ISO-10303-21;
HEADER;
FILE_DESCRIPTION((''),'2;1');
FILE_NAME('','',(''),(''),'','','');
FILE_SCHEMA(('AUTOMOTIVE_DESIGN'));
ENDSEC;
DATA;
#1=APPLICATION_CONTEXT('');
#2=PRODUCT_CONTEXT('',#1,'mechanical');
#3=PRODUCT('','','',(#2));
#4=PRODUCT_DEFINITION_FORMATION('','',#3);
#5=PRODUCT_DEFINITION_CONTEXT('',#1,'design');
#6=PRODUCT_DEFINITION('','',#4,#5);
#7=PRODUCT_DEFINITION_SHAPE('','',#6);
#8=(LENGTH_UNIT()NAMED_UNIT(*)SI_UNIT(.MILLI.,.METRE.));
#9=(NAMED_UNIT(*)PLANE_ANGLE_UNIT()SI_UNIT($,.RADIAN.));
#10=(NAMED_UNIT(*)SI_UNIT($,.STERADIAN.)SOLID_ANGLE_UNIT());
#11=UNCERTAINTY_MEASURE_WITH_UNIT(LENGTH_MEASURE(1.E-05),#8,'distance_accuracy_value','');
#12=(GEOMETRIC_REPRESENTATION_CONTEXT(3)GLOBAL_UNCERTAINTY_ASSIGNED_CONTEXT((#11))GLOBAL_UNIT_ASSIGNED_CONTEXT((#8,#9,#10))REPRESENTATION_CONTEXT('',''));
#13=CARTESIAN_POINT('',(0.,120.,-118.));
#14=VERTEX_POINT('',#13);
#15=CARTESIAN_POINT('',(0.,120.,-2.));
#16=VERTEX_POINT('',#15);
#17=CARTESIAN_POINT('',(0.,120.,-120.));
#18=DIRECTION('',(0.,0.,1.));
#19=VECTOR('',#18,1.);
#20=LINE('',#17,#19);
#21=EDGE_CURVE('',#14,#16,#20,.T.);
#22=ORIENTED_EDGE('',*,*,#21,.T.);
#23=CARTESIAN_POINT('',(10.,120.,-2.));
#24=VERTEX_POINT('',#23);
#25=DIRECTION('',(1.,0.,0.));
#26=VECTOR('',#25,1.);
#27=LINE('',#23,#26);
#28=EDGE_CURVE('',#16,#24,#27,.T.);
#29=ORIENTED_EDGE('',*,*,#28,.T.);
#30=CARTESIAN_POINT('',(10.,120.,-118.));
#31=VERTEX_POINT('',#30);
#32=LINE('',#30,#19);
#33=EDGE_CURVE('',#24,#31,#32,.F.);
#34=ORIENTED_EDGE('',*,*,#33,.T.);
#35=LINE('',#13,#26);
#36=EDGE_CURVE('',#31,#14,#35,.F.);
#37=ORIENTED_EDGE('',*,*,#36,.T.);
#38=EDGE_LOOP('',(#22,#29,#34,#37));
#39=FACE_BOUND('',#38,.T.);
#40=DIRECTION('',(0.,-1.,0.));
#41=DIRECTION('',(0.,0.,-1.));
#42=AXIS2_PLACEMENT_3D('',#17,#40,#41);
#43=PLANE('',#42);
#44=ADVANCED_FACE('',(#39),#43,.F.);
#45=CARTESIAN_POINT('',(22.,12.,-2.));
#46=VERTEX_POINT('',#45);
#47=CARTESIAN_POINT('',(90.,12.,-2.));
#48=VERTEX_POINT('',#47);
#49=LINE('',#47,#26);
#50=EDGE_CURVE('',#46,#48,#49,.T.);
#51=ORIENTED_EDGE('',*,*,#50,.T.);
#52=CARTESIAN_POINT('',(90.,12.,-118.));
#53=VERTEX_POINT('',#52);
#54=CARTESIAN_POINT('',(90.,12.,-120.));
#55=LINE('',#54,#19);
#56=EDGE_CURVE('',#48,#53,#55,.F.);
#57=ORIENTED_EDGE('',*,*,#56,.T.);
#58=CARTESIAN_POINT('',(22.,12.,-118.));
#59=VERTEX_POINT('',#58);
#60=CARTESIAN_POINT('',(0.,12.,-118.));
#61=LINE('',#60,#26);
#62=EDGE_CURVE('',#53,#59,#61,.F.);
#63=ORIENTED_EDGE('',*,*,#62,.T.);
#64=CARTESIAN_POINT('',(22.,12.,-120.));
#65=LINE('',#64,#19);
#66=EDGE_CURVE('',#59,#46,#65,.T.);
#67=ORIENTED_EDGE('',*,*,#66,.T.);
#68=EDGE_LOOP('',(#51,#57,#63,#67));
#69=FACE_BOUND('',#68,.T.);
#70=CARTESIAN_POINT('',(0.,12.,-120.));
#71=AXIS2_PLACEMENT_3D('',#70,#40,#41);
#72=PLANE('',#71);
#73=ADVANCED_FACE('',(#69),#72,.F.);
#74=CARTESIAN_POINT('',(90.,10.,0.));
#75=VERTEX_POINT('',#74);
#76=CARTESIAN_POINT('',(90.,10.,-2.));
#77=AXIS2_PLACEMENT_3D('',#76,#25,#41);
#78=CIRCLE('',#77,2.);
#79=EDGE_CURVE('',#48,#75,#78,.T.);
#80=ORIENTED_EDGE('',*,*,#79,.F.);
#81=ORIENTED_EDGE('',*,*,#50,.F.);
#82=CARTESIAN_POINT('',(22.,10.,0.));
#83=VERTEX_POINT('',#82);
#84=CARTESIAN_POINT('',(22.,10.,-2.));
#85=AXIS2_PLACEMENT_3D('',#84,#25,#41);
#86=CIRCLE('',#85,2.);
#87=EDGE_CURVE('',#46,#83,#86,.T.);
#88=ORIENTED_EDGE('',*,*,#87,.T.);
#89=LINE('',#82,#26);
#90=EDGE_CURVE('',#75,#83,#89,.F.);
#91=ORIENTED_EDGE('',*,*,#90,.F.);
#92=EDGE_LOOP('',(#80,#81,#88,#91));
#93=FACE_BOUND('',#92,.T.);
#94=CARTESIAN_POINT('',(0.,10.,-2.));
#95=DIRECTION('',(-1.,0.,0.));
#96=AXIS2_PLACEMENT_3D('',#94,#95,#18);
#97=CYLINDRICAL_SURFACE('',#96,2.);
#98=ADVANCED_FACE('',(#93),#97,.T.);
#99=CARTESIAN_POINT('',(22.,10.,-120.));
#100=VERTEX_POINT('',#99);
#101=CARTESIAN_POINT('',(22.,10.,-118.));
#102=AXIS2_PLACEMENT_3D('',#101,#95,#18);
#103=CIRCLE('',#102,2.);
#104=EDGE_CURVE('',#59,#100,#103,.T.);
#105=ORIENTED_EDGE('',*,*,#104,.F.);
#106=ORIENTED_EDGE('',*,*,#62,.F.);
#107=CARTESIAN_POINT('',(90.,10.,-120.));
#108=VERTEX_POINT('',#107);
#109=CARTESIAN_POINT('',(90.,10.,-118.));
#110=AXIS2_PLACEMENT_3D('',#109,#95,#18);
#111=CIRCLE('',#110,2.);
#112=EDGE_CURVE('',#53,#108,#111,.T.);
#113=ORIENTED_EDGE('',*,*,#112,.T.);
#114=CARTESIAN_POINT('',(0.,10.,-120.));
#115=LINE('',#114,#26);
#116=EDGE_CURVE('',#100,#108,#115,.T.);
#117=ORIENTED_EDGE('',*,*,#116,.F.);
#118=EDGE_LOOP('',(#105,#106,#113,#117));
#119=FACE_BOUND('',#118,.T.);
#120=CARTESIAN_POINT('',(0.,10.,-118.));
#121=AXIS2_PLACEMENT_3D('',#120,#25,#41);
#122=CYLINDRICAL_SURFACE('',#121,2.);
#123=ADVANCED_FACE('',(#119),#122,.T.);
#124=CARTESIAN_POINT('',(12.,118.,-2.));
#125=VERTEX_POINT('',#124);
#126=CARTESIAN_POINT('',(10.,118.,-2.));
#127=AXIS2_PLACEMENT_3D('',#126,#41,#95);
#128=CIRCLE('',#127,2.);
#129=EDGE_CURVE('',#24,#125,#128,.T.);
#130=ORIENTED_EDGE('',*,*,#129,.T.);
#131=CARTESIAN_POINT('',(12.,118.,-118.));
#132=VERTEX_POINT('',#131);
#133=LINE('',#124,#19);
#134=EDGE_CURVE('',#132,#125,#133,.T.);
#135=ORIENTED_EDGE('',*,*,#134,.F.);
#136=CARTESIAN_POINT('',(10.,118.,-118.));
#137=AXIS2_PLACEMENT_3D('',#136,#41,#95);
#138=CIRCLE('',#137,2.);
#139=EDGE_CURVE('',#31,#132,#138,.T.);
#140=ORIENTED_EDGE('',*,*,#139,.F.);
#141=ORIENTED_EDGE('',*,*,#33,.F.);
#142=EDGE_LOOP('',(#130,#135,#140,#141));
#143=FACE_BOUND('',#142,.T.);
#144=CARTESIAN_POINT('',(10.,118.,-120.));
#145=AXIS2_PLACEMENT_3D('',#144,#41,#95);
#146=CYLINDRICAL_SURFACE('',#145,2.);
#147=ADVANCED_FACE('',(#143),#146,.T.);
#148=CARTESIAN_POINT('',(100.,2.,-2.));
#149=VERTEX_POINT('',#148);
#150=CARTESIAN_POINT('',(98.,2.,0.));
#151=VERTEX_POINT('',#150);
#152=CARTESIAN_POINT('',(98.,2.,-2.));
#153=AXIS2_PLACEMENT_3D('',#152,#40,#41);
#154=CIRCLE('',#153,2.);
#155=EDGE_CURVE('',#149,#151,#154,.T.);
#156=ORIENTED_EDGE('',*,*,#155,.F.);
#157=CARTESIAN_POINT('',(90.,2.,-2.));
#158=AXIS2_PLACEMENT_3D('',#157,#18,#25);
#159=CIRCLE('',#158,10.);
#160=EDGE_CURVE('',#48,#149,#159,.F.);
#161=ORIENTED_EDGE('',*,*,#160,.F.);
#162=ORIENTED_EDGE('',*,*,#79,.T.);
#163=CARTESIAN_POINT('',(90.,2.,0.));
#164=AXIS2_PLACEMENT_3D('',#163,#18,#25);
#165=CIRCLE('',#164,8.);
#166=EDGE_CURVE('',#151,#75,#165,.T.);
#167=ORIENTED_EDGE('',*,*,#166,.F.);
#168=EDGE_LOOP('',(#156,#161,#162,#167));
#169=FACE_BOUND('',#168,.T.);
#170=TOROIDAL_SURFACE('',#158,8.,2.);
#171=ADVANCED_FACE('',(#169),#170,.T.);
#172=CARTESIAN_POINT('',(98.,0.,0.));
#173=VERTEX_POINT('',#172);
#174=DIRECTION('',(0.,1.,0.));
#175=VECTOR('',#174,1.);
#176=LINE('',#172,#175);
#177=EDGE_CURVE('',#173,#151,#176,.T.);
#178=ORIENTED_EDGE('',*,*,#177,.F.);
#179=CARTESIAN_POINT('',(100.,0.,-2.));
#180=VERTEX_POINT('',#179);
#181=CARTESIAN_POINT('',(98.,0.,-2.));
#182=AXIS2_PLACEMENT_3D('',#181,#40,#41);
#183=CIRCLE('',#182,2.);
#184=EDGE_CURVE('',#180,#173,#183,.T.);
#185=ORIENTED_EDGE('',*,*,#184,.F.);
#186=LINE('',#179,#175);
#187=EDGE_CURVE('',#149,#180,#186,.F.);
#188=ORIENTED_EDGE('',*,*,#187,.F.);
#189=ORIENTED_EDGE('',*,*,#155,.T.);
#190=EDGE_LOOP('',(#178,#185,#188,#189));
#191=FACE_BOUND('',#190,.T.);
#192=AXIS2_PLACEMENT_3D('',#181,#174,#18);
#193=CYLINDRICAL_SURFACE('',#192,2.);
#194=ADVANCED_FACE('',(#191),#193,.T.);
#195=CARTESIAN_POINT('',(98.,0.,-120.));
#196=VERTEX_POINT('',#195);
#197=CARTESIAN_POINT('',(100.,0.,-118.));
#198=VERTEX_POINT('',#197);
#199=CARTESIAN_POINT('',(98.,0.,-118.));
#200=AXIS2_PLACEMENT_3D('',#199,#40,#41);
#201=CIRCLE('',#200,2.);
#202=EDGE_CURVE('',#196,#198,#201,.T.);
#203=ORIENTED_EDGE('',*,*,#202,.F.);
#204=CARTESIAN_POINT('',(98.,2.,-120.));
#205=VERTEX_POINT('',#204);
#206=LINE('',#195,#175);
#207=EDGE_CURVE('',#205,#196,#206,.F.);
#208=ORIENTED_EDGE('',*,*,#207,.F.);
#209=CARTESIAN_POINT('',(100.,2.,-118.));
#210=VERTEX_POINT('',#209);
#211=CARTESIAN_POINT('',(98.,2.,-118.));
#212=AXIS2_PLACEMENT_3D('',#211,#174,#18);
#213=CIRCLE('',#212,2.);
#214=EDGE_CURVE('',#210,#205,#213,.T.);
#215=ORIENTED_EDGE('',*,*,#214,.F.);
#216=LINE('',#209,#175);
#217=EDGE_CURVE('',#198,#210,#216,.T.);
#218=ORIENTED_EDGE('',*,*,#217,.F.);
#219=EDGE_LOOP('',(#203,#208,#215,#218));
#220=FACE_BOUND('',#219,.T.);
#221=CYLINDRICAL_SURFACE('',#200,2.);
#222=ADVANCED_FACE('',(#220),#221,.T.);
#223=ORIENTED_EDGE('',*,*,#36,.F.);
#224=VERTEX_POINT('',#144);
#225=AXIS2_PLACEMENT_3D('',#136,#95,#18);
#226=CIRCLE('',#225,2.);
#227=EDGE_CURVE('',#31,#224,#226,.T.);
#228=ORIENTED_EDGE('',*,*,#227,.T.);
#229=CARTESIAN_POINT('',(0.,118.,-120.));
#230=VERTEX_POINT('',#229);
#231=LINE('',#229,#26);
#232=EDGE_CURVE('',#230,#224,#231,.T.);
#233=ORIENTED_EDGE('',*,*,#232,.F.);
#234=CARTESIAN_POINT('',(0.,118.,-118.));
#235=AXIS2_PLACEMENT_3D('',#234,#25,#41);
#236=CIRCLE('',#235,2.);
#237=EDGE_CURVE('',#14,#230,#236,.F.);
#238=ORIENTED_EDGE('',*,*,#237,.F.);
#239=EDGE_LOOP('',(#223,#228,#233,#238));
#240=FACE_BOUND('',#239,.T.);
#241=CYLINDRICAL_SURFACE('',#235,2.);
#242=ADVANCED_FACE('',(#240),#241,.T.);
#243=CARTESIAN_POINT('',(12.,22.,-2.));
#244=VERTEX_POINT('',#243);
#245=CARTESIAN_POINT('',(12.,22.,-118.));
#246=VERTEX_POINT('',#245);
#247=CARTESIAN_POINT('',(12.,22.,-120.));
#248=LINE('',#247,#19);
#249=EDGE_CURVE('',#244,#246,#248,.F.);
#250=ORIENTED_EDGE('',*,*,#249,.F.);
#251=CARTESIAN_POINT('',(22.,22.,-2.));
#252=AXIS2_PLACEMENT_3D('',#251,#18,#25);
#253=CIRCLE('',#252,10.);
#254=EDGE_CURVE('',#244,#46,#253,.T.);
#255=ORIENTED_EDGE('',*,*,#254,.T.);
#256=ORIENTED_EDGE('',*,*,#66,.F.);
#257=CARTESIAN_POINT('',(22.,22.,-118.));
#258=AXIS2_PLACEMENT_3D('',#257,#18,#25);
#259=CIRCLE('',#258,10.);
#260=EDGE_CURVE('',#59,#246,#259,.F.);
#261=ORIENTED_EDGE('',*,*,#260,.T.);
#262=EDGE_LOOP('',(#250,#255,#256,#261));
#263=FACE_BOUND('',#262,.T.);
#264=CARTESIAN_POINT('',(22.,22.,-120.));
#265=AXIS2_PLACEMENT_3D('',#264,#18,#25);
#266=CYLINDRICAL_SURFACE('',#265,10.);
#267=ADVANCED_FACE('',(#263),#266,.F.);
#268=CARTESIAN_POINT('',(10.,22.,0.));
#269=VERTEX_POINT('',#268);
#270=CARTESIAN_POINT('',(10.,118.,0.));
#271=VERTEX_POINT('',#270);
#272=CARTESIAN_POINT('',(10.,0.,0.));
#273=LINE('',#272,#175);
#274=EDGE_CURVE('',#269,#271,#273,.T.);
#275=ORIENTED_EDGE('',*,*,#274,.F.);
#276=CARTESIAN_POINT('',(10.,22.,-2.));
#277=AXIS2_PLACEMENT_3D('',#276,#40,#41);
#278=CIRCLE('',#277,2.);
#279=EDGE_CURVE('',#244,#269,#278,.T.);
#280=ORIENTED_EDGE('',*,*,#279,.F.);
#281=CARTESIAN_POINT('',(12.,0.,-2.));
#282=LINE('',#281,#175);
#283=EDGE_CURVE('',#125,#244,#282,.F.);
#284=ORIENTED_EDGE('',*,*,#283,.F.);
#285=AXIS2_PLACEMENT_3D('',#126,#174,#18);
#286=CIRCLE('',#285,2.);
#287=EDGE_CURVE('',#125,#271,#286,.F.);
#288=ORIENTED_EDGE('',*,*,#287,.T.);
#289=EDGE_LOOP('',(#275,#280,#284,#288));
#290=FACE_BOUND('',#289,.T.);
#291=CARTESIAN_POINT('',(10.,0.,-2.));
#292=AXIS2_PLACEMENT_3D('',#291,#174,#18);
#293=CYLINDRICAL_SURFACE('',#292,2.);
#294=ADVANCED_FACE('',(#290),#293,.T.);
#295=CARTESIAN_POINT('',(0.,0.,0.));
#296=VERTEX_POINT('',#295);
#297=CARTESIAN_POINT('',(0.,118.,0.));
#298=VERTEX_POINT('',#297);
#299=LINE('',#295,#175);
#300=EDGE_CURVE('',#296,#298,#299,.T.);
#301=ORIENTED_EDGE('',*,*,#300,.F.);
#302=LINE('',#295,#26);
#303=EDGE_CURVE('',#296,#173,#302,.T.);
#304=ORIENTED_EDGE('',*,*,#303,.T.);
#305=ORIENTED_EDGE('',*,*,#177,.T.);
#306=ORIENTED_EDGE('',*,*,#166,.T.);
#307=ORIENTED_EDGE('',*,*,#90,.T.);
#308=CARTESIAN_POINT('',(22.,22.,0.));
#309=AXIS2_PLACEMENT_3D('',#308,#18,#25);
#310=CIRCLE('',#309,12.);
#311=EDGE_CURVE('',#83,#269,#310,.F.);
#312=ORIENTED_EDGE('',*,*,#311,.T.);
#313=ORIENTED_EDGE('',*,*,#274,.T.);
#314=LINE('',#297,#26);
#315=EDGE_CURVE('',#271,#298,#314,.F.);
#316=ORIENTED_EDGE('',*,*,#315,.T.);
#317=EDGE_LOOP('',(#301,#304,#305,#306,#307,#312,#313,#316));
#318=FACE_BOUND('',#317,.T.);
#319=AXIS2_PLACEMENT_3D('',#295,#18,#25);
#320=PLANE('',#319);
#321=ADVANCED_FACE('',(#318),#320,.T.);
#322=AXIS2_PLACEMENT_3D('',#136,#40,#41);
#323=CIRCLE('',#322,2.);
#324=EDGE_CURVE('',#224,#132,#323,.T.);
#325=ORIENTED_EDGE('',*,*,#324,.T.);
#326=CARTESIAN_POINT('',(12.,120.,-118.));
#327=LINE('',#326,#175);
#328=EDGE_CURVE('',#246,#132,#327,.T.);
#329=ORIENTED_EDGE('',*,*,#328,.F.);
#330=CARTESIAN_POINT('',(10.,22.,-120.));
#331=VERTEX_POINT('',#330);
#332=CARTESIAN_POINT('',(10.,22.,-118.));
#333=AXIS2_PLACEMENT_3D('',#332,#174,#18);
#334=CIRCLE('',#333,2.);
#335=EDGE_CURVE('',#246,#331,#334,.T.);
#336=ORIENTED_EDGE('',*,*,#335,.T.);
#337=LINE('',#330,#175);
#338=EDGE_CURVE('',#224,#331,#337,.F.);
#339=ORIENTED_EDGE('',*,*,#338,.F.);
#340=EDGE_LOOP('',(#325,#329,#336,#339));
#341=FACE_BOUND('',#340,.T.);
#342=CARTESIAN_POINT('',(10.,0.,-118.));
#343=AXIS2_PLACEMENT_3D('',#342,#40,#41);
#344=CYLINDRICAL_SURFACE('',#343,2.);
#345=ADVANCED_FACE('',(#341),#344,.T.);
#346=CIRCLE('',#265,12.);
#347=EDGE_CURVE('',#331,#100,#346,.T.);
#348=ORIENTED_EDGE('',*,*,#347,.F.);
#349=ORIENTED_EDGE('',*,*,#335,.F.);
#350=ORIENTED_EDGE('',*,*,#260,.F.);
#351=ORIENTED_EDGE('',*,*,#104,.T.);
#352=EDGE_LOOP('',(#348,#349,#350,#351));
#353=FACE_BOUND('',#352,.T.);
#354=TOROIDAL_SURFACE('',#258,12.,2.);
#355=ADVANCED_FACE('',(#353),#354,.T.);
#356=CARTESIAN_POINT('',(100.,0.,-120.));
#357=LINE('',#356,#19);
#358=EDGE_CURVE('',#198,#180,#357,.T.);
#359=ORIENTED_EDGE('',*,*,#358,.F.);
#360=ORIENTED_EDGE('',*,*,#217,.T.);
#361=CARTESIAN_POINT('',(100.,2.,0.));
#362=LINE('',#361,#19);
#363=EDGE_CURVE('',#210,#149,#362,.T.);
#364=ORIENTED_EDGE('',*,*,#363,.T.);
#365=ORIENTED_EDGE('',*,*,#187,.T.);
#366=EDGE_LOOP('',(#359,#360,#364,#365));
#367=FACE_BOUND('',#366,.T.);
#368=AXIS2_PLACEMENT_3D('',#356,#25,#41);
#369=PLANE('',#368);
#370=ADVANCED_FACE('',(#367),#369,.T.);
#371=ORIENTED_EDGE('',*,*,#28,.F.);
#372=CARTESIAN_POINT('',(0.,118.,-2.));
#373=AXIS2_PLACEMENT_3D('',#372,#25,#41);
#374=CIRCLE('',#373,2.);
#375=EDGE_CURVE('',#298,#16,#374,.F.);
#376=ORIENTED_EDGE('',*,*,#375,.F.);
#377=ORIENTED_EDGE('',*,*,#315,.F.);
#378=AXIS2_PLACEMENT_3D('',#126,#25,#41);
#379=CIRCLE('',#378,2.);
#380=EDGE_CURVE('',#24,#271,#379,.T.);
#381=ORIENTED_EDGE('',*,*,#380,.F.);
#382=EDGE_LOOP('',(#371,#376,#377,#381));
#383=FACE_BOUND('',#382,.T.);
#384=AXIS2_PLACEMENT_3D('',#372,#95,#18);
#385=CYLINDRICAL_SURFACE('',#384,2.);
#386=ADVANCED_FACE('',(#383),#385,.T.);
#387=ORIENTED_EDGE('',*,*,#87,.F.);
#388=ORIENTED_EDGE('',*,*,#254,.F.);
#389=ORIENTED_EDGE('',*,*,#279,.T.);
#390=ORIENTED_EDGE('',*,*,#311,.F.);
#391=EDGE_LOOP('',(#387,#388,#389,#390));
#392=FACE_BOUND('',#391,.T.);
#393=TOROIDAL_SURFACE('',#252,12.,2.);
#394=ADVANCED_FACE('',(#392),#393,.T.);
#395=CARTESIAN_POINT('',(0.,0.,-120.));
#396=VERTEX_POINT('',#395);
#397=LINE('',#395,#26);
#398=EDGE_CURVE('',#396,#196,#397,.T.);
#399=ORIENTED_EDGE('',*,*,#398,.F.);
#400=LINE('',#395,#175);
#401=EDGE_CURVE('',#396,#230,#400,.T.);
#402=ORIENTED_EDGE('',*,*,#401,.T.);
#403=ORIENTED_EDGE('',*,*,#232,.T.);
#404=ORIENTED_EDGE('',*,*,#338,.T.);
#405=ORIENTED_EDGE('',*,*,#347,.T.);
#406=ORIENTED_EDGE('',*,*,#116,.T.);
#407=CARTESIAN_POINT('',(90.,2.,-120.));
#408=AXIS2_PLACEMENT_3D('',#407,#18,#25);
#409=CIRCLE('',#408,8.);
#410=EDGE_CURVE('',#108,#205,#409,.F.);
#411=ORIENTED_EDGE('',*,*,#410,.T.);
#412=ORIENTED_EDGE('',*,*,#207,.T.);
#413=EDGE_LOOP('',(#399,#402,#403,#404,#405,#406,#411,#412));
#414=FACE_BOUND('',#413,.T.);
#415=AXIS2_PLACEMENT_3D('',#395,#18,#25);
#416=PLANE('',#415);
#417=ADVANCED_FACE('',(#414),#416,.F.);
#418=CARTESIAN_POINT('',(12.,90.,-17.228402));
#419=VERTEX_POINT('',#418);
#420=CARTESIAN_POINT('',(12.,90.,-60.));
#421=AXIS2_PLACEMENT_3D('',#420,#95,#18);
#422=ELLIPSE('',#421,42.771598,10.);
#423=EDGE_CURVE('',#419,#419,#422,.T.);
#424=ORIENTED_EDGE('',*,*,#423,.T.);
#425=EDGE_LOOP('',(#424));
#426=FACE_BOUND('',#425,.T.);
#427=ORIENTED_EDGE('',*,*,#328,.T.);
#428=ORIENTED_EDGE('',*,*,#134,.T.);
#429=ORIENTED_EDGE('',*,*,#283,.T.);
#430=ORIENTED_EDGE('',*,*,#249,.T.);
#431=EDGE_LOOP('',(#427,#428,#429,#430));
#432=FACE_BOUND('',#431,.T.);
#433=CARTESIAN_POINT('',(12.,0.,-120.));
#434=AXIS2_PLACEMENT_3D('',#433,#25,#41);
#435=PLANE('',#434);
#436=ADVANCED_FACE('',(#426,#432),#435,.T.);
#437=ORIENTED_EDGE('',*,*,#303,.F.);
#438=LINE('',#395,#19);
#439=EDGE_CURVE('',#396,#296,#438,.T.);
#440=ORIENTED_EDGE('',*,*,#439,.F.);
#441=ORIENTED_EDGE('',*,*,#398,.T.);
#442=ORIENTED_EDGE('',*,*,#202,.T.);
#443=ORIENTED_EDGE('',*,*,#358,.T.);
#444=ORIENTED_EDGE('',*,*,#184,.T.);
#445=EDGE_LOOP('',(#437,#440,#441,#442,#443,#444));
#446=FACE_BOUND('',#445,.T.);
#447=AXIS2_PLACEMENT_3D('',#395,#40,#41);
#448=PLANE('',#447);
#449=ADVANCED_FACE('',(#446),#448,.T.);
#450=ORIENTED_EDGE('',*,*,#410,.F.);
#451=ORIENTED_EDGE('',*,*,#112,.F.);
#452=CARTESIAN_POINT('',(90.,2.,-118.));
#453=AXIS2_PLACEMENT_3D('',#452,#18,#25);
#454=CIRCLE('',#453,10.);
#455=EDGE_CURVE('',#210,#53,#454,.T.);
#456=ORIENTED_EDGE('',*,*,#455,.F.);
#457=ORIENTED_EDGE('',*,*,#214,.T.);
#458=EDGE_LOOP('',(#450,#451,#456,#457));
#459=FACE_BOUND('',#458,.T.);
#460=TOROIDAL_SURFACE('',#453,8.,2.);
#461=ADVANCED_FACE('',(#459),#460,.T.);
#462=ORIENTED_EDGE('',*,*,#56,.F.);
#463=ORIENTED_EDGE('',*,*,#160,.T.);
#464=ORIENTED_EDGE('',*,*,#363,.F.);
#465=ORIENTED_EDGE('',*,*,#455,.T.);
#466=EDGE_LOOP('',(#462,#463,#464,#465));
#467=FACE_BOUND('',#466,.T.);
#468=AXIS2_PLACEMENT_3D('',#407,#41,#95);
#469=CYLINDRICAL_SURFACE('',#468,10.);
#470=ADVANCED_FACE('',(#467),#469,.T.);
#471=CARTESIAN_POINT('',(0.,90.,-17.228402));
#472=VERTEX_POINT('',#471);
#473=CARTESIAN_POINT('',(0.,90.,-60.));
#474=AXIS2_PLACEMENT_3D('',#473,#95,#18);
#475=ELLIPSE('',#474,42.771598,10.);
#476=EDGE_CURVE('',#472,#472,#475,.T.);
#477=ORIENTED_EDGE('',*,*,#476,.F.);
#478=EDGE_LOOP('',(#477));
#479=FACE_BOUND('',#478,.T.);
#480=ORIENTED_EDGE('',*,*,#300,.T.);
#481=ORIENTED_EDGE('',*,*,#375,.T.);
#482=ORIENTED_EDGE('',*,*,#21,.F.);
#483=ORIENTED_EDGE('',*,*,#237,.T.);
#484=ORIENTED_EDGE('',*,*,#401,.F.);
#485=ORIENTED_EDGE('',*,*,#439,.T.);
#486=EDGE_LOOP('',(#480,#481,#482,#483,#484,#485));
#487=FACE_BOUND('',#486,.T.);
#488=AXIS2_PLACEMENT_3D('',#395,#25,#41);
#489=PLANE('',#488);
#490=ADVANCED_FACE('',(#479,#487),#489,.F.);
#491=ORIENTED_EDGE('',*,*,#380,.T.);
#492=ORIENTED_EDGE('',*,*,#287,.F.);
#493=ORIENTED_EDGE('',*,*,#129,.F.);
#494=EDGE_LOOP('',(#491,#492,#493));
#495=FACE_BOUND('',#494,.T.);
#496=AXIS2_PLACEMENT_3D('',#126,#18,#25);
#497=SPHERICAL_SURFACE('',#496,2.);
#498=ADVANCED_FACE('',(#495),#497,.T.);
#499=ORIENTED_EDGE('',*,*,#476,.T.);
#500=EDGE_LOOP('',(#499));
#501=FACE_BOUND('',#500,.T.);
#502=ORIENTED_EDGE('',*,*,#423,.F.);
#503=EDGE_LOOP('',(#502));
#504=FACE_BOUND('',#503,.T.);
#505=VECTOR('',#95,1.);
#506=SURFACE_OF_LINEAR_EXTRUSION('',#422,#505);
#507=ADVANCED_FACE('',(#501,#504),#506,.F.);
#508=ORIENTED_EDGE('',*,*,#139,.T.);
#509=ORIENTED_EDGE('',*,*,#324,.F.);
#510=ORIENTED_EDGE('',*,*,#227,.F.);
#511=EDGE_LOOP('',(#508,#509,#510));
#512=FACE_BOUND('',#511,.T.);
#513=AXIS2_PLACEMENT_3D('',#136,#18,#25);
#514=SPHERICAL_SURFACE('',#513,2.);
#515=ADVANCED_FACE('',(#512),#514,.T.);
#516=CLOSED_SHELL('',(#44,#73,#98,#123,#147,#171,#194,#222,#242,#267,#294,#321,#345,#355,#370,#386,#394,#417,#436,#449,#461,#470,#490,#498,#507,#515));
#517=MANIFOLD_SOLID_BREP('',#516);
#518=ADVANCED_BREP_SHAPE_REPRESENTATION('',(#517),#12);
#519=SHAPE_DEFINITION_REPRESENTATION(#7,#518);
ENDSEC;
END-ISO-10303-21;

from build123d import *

# Parameters (mm, degrees)
ESQUISSE1_W             = 12
ESQUISSE1_H             = 108
ESQUISSE1_W_2           = 100
ESQUISSE1_H_2           = 12
BOSS_EXTRU_1_DEPTH      = 120
ESQUISSE2_RX            = 42.771597922
ESQUISSE2_RY            = 10
ENL_V_MAT_EXTRU_1_DEPTH = 12
CONG_1_R                = 10
CONG_2_R                = 10
CONG_3_R                = 2
CONG_4_R                = 2
CONG_5_R                = 2


with BuildPart() as part:
    # Esquisse1 → Boss.-Extru.1 (new body)
    with BuildSketch(Plane.XY):
        with Locations((6, 66)):
            Rectangle(ESQUISSE1_W, ESQUISSE1_H)
        with Locations((50, 6)):
            Rectangle(ESQUISSE1_W_2, ESQUISSE1_H_2)
    extrude(amount=-BOSS_EXTRU_1_DEPTH)

    # Esquisse2 → Enlèv. mat.-Extru.1 (cut)
    with BuildSketch(Plane.ZY):
        with Locations(Location((-60, 90), (0, 0, 0))):
            Ellipse(ESQUISSE2_RX, ESQUISSE2_RY)
    extrude(amount=-ENL_V_MAT_EXTRU_1_DEPTH, mode=Mode.SUBTRACT)

    # Congé1
    cong_1_edges = [part.edges().sort_by_distance(p)[0] for p in [
        (100, 12, -60),
    ]]
    fillet(cong_1_edges, radius=CONG_1_R)

    # Congé2
    cong_2_edges = [part.edges().sort_by_distance(p)[0] for p in [
        (12, 12, -60),
    ]]
    fillet(cong_2_edges, radius=CONG_2_R)

    # Congé3
    cong_3_edges = [part.edges().sort_by_distance(p)[0] for p in [
        (100, 1, 0),
        (97.071067812, 9.071067812, 0),
        (56, 12, 0),
        (12, 71, 0),
        (14.928932188, 14.928932188, 0),
    ]]
    fillet(cong_3_edges, radius=CONG_3_R)

    # Congé4
    cong_4_edges = [part.edges().sort_by_distance(p)[0] for p in [
        (100, 1, -120),
        (97.071067812, 9.071067812, -120),
        (56, 12, -120),
        (12, 71, -120),
        (14.928932188, 14.928932188, -120),
    ]]
    fillet(cong_4_edges, radius=CONG_4_R)

    # Congé5
    cong_5_edges = [part.edges().sort_by_distance(p)[0] for p in [
        (5, 120, 0),
        (5, 120, -120),
        (11.414213562, 120, -0.585786438),
        (12, 120, -60),
        (11.414213562, 120, -119.414213562),
    ]]
    fillet(cong_5_edges, radius=CONG_5_R)


solid = part.part
